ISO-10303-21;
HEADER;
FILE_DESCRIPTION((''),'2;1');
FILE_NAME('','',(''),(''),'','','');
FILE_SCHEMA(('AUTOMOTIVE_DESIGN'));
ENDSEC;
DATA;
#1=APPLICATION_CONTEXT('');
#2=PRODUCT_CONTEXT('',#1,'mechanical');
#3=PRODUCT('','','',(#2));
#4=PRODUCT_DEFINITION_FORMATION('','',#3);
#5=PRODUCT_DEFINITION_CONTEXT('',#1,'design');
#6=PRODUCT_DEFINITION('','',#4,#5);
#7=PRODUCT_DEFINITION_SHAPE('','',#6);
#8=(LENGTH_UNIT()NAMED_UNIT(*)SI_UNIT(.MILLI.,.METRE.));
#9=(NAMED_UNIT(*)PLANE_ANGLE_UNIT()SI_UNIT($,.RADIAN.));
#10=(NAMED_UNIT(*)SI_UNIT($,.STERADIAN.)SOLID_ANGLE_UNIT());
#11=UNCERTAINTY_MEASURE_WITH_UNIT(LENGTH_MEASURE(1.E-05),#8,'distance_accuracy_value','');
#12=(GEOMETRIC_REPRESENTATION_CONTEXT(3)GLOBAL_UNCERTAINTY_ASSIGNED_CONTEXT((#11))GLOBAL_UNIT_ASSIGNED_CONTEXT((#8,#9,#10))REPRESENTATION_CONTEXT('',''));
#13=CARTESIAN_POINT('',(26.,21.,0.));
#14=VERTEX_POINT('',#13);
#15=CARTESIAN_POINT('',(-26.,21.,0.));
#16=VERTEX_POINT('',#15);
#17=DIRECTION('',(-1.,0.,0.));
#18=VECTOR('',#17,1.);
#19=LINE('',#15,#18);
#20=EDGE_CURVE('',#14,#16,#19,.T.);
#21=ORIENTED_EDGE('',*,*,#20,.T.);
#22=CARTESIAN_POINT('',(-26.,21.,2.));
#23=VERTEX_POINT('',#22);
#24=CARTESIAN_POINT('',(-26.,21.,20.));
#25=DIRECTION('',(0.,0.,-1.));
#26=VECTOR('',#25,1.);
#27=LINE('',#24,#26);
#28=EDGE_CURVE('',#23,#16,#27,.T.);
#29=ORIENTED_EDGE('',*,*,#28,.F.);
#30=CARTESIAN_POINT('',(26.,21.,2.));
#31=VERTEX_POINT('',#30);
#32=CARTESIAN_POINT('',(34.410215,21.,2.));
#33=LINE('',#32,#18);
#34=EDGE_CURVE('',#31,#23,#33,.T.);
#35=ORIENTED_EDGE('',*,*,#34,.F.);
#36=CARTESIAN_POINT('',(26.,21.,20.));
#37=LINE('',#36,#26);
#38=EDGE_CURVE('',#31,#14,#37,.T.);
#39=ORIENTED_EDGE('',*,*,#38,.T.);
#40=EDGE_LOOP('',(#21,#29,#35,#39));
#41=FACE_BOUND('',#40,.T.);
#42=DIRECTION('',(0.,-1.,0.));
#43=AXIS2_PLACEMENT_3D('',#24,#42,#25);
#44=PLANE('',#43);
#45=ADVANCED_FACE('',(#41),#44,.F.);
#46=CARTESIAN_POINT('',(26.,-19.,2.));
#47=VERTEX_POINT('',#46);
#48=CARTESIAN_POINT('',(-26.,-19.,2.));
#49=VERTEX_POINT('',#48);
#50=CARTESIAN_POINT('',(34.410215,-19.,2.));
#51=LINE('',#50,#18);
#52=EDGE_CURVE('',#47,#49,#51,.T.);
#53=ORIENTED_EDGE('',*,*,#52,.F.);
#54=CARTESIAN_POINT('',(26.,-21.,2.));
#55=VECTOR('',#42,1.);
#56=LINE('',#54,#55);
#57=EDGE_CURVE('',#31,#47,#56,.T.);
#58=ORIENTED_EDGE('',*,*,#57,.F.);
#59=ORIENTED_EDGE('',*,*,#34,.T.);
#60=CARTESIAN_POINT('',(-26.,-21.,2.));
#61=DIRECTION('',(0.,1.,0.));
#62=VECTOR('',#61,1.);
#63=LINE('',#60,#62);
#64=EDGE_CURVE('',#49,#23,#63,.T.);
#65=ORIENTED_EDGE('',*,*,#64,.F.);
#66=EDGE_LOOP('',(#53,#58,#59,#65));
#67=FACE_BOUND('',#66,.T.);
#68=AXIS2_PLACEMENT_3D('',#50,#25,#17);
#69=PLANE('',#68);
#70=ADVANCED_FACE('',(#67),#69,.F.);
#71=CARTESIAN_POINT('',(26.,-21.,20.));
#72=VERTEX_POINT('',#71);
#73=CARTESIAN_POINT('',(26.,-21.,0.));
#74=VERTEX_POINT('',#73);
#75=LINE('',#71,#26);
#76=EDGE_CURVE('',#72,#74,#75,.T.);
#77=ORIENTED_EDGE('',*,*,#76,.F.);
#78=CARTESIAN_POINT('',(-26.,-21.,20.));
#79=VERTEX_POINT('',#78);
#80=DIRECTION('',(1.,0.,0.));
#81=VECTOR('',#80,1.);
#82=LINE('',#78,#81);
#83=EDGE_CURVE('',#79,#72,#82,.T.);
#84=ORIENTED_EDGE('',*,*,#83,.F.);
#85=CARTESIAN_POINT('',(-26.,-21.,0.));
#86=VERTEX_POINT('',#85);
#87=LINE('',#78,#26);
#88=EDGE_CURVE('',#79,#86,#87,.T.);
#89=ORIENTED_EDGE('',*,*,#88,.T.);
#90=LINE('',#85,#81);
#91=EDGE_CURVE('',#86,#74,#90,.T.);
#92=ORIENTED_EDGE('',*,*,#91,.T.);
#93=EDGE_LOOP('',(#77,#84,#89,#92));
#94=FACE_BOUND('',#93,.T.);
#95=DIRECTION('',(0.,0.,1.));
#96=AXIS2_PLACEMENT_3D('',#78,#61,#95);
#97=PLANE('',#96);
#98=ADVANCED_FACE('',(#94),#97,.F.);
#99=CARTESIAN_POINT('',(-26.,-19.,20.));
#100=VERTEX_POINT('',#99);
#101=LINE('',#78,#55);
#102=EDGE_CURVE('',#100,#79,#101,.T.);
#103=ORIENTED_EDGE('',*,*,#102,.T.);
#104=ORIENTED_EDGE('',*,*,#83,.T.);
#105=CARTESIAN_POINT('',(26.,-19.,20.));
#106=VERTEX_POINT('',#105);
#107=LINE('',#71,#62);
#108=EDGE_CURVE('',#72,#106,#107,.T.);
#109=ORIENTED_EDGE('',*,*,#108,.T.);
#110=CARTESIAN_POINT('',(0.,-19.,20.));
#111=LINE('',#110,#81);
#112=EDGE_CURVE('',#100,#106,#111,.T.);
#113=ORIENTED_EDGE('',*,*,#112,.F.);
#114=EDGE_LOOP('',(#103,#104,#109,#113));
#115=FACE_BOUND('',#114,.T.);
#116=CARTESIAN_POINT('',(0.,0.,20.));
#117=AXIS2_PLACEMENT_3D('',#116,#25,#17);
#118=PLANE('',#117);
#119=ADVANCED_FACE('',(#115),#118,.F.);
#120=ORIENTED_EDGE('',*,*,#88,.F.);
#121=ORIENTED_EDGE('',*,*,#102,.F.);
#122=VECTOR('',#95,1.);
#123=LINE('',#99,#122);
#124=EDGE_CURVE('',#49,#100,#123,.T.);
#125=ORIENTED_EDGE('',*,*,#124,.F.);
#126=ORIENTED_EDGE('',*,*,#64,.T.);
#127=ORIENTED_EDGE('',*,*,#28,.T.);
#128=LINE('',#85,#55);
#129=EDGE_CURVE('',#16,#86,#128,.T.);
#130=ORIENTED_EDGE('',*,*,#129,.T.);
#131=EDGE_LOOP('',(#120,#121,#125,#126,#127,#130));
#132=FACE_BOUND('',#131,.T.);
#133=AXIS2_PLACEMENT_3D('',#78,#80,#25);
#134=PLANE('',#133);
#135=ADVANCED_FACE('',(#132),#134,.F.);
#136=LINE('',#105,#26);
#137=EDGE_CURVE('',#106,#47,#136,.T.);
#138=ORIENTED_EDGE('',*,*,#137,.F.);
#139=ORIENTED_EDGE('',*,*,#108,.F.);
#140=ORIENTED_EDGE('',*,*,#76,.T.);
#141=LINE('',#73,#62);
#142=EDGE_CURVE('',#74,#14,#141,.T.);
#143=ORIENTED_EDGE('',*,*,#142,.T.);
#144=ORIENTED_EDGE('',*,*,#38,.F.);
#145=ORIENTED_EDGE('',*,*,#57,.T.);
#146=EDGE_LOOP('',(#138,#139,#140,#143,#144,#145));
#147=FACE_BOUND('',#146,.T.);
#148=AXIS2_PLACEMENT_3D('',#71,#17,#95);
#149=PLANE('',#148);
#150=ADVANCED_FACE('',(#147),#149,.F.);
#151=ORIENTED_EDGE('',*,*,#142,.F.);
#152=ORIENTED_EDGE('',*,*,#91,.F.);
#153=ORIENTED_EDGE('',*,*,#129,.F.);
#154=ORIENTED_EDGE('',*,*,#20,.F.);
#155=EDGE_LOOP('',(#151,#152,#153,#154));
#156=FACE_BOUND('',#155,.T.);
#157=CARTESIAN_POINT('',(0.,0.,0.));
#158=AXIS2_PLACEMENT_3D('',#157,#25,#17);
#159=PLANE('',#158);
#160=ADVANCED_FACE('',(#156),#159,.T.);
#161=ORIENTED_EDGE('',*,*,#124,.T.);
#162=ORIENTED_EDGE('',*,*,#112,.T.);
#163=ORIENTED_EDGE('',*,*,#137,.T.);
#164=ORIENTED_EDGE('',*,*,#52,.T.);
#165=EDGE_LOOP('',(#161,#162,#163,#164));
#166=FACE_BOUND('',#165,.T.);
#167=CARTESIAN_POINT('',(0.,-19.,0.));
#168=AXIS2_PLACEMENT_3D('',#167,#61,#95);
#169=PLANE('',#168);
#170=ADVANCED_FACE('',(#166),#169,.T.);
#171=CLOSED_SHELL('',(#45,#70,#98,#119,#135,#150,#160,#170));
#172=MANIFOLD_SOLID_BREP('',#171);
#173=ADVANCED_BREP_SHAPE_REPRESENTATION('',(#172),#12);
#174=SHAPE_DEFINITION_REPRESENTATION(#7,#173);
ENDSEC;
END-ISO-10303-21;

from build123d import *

# Parameters (mm, degrees)
ESQUISSE1_W             = 52
ESQUISSE1_H             = 42
BOSS_EXTRU_1_DEPTH      = 20
ESQUISSE2_W             = 66.008627658
ESQUISSE2_H             = 40.946179855
ENL_V_MAT_EXTRU_1_DEPTH = 40


with BuildPart() as part:
    # Esquisse1 → Boss.-Extru.1 (new body)
    with BuildSketch(Plane.XY):
        Rectangle(ESQUISSE1_W, ESQUISSE1_H)
    extrude(amount=BOSS_EXTRU_1_DEPTH)

    # Esquisse2 → Enlèv. mat.-Extru.1 (cut)
    with BuildSketch(Plane(origin=(0, 21, 0), x_dir=(1, 0, 0), z_dir=(0, 1, 0))):
        with Locations((1.405901571, -22.473089928)):
            Rectangle(ESQUISSE2_W, ESQUISSE2_H)
    extrude(amount=-ENL_V_MAT_EXTRU_1_DEPTH, mode=Mode.SUBTRACT)


solid = part.part
